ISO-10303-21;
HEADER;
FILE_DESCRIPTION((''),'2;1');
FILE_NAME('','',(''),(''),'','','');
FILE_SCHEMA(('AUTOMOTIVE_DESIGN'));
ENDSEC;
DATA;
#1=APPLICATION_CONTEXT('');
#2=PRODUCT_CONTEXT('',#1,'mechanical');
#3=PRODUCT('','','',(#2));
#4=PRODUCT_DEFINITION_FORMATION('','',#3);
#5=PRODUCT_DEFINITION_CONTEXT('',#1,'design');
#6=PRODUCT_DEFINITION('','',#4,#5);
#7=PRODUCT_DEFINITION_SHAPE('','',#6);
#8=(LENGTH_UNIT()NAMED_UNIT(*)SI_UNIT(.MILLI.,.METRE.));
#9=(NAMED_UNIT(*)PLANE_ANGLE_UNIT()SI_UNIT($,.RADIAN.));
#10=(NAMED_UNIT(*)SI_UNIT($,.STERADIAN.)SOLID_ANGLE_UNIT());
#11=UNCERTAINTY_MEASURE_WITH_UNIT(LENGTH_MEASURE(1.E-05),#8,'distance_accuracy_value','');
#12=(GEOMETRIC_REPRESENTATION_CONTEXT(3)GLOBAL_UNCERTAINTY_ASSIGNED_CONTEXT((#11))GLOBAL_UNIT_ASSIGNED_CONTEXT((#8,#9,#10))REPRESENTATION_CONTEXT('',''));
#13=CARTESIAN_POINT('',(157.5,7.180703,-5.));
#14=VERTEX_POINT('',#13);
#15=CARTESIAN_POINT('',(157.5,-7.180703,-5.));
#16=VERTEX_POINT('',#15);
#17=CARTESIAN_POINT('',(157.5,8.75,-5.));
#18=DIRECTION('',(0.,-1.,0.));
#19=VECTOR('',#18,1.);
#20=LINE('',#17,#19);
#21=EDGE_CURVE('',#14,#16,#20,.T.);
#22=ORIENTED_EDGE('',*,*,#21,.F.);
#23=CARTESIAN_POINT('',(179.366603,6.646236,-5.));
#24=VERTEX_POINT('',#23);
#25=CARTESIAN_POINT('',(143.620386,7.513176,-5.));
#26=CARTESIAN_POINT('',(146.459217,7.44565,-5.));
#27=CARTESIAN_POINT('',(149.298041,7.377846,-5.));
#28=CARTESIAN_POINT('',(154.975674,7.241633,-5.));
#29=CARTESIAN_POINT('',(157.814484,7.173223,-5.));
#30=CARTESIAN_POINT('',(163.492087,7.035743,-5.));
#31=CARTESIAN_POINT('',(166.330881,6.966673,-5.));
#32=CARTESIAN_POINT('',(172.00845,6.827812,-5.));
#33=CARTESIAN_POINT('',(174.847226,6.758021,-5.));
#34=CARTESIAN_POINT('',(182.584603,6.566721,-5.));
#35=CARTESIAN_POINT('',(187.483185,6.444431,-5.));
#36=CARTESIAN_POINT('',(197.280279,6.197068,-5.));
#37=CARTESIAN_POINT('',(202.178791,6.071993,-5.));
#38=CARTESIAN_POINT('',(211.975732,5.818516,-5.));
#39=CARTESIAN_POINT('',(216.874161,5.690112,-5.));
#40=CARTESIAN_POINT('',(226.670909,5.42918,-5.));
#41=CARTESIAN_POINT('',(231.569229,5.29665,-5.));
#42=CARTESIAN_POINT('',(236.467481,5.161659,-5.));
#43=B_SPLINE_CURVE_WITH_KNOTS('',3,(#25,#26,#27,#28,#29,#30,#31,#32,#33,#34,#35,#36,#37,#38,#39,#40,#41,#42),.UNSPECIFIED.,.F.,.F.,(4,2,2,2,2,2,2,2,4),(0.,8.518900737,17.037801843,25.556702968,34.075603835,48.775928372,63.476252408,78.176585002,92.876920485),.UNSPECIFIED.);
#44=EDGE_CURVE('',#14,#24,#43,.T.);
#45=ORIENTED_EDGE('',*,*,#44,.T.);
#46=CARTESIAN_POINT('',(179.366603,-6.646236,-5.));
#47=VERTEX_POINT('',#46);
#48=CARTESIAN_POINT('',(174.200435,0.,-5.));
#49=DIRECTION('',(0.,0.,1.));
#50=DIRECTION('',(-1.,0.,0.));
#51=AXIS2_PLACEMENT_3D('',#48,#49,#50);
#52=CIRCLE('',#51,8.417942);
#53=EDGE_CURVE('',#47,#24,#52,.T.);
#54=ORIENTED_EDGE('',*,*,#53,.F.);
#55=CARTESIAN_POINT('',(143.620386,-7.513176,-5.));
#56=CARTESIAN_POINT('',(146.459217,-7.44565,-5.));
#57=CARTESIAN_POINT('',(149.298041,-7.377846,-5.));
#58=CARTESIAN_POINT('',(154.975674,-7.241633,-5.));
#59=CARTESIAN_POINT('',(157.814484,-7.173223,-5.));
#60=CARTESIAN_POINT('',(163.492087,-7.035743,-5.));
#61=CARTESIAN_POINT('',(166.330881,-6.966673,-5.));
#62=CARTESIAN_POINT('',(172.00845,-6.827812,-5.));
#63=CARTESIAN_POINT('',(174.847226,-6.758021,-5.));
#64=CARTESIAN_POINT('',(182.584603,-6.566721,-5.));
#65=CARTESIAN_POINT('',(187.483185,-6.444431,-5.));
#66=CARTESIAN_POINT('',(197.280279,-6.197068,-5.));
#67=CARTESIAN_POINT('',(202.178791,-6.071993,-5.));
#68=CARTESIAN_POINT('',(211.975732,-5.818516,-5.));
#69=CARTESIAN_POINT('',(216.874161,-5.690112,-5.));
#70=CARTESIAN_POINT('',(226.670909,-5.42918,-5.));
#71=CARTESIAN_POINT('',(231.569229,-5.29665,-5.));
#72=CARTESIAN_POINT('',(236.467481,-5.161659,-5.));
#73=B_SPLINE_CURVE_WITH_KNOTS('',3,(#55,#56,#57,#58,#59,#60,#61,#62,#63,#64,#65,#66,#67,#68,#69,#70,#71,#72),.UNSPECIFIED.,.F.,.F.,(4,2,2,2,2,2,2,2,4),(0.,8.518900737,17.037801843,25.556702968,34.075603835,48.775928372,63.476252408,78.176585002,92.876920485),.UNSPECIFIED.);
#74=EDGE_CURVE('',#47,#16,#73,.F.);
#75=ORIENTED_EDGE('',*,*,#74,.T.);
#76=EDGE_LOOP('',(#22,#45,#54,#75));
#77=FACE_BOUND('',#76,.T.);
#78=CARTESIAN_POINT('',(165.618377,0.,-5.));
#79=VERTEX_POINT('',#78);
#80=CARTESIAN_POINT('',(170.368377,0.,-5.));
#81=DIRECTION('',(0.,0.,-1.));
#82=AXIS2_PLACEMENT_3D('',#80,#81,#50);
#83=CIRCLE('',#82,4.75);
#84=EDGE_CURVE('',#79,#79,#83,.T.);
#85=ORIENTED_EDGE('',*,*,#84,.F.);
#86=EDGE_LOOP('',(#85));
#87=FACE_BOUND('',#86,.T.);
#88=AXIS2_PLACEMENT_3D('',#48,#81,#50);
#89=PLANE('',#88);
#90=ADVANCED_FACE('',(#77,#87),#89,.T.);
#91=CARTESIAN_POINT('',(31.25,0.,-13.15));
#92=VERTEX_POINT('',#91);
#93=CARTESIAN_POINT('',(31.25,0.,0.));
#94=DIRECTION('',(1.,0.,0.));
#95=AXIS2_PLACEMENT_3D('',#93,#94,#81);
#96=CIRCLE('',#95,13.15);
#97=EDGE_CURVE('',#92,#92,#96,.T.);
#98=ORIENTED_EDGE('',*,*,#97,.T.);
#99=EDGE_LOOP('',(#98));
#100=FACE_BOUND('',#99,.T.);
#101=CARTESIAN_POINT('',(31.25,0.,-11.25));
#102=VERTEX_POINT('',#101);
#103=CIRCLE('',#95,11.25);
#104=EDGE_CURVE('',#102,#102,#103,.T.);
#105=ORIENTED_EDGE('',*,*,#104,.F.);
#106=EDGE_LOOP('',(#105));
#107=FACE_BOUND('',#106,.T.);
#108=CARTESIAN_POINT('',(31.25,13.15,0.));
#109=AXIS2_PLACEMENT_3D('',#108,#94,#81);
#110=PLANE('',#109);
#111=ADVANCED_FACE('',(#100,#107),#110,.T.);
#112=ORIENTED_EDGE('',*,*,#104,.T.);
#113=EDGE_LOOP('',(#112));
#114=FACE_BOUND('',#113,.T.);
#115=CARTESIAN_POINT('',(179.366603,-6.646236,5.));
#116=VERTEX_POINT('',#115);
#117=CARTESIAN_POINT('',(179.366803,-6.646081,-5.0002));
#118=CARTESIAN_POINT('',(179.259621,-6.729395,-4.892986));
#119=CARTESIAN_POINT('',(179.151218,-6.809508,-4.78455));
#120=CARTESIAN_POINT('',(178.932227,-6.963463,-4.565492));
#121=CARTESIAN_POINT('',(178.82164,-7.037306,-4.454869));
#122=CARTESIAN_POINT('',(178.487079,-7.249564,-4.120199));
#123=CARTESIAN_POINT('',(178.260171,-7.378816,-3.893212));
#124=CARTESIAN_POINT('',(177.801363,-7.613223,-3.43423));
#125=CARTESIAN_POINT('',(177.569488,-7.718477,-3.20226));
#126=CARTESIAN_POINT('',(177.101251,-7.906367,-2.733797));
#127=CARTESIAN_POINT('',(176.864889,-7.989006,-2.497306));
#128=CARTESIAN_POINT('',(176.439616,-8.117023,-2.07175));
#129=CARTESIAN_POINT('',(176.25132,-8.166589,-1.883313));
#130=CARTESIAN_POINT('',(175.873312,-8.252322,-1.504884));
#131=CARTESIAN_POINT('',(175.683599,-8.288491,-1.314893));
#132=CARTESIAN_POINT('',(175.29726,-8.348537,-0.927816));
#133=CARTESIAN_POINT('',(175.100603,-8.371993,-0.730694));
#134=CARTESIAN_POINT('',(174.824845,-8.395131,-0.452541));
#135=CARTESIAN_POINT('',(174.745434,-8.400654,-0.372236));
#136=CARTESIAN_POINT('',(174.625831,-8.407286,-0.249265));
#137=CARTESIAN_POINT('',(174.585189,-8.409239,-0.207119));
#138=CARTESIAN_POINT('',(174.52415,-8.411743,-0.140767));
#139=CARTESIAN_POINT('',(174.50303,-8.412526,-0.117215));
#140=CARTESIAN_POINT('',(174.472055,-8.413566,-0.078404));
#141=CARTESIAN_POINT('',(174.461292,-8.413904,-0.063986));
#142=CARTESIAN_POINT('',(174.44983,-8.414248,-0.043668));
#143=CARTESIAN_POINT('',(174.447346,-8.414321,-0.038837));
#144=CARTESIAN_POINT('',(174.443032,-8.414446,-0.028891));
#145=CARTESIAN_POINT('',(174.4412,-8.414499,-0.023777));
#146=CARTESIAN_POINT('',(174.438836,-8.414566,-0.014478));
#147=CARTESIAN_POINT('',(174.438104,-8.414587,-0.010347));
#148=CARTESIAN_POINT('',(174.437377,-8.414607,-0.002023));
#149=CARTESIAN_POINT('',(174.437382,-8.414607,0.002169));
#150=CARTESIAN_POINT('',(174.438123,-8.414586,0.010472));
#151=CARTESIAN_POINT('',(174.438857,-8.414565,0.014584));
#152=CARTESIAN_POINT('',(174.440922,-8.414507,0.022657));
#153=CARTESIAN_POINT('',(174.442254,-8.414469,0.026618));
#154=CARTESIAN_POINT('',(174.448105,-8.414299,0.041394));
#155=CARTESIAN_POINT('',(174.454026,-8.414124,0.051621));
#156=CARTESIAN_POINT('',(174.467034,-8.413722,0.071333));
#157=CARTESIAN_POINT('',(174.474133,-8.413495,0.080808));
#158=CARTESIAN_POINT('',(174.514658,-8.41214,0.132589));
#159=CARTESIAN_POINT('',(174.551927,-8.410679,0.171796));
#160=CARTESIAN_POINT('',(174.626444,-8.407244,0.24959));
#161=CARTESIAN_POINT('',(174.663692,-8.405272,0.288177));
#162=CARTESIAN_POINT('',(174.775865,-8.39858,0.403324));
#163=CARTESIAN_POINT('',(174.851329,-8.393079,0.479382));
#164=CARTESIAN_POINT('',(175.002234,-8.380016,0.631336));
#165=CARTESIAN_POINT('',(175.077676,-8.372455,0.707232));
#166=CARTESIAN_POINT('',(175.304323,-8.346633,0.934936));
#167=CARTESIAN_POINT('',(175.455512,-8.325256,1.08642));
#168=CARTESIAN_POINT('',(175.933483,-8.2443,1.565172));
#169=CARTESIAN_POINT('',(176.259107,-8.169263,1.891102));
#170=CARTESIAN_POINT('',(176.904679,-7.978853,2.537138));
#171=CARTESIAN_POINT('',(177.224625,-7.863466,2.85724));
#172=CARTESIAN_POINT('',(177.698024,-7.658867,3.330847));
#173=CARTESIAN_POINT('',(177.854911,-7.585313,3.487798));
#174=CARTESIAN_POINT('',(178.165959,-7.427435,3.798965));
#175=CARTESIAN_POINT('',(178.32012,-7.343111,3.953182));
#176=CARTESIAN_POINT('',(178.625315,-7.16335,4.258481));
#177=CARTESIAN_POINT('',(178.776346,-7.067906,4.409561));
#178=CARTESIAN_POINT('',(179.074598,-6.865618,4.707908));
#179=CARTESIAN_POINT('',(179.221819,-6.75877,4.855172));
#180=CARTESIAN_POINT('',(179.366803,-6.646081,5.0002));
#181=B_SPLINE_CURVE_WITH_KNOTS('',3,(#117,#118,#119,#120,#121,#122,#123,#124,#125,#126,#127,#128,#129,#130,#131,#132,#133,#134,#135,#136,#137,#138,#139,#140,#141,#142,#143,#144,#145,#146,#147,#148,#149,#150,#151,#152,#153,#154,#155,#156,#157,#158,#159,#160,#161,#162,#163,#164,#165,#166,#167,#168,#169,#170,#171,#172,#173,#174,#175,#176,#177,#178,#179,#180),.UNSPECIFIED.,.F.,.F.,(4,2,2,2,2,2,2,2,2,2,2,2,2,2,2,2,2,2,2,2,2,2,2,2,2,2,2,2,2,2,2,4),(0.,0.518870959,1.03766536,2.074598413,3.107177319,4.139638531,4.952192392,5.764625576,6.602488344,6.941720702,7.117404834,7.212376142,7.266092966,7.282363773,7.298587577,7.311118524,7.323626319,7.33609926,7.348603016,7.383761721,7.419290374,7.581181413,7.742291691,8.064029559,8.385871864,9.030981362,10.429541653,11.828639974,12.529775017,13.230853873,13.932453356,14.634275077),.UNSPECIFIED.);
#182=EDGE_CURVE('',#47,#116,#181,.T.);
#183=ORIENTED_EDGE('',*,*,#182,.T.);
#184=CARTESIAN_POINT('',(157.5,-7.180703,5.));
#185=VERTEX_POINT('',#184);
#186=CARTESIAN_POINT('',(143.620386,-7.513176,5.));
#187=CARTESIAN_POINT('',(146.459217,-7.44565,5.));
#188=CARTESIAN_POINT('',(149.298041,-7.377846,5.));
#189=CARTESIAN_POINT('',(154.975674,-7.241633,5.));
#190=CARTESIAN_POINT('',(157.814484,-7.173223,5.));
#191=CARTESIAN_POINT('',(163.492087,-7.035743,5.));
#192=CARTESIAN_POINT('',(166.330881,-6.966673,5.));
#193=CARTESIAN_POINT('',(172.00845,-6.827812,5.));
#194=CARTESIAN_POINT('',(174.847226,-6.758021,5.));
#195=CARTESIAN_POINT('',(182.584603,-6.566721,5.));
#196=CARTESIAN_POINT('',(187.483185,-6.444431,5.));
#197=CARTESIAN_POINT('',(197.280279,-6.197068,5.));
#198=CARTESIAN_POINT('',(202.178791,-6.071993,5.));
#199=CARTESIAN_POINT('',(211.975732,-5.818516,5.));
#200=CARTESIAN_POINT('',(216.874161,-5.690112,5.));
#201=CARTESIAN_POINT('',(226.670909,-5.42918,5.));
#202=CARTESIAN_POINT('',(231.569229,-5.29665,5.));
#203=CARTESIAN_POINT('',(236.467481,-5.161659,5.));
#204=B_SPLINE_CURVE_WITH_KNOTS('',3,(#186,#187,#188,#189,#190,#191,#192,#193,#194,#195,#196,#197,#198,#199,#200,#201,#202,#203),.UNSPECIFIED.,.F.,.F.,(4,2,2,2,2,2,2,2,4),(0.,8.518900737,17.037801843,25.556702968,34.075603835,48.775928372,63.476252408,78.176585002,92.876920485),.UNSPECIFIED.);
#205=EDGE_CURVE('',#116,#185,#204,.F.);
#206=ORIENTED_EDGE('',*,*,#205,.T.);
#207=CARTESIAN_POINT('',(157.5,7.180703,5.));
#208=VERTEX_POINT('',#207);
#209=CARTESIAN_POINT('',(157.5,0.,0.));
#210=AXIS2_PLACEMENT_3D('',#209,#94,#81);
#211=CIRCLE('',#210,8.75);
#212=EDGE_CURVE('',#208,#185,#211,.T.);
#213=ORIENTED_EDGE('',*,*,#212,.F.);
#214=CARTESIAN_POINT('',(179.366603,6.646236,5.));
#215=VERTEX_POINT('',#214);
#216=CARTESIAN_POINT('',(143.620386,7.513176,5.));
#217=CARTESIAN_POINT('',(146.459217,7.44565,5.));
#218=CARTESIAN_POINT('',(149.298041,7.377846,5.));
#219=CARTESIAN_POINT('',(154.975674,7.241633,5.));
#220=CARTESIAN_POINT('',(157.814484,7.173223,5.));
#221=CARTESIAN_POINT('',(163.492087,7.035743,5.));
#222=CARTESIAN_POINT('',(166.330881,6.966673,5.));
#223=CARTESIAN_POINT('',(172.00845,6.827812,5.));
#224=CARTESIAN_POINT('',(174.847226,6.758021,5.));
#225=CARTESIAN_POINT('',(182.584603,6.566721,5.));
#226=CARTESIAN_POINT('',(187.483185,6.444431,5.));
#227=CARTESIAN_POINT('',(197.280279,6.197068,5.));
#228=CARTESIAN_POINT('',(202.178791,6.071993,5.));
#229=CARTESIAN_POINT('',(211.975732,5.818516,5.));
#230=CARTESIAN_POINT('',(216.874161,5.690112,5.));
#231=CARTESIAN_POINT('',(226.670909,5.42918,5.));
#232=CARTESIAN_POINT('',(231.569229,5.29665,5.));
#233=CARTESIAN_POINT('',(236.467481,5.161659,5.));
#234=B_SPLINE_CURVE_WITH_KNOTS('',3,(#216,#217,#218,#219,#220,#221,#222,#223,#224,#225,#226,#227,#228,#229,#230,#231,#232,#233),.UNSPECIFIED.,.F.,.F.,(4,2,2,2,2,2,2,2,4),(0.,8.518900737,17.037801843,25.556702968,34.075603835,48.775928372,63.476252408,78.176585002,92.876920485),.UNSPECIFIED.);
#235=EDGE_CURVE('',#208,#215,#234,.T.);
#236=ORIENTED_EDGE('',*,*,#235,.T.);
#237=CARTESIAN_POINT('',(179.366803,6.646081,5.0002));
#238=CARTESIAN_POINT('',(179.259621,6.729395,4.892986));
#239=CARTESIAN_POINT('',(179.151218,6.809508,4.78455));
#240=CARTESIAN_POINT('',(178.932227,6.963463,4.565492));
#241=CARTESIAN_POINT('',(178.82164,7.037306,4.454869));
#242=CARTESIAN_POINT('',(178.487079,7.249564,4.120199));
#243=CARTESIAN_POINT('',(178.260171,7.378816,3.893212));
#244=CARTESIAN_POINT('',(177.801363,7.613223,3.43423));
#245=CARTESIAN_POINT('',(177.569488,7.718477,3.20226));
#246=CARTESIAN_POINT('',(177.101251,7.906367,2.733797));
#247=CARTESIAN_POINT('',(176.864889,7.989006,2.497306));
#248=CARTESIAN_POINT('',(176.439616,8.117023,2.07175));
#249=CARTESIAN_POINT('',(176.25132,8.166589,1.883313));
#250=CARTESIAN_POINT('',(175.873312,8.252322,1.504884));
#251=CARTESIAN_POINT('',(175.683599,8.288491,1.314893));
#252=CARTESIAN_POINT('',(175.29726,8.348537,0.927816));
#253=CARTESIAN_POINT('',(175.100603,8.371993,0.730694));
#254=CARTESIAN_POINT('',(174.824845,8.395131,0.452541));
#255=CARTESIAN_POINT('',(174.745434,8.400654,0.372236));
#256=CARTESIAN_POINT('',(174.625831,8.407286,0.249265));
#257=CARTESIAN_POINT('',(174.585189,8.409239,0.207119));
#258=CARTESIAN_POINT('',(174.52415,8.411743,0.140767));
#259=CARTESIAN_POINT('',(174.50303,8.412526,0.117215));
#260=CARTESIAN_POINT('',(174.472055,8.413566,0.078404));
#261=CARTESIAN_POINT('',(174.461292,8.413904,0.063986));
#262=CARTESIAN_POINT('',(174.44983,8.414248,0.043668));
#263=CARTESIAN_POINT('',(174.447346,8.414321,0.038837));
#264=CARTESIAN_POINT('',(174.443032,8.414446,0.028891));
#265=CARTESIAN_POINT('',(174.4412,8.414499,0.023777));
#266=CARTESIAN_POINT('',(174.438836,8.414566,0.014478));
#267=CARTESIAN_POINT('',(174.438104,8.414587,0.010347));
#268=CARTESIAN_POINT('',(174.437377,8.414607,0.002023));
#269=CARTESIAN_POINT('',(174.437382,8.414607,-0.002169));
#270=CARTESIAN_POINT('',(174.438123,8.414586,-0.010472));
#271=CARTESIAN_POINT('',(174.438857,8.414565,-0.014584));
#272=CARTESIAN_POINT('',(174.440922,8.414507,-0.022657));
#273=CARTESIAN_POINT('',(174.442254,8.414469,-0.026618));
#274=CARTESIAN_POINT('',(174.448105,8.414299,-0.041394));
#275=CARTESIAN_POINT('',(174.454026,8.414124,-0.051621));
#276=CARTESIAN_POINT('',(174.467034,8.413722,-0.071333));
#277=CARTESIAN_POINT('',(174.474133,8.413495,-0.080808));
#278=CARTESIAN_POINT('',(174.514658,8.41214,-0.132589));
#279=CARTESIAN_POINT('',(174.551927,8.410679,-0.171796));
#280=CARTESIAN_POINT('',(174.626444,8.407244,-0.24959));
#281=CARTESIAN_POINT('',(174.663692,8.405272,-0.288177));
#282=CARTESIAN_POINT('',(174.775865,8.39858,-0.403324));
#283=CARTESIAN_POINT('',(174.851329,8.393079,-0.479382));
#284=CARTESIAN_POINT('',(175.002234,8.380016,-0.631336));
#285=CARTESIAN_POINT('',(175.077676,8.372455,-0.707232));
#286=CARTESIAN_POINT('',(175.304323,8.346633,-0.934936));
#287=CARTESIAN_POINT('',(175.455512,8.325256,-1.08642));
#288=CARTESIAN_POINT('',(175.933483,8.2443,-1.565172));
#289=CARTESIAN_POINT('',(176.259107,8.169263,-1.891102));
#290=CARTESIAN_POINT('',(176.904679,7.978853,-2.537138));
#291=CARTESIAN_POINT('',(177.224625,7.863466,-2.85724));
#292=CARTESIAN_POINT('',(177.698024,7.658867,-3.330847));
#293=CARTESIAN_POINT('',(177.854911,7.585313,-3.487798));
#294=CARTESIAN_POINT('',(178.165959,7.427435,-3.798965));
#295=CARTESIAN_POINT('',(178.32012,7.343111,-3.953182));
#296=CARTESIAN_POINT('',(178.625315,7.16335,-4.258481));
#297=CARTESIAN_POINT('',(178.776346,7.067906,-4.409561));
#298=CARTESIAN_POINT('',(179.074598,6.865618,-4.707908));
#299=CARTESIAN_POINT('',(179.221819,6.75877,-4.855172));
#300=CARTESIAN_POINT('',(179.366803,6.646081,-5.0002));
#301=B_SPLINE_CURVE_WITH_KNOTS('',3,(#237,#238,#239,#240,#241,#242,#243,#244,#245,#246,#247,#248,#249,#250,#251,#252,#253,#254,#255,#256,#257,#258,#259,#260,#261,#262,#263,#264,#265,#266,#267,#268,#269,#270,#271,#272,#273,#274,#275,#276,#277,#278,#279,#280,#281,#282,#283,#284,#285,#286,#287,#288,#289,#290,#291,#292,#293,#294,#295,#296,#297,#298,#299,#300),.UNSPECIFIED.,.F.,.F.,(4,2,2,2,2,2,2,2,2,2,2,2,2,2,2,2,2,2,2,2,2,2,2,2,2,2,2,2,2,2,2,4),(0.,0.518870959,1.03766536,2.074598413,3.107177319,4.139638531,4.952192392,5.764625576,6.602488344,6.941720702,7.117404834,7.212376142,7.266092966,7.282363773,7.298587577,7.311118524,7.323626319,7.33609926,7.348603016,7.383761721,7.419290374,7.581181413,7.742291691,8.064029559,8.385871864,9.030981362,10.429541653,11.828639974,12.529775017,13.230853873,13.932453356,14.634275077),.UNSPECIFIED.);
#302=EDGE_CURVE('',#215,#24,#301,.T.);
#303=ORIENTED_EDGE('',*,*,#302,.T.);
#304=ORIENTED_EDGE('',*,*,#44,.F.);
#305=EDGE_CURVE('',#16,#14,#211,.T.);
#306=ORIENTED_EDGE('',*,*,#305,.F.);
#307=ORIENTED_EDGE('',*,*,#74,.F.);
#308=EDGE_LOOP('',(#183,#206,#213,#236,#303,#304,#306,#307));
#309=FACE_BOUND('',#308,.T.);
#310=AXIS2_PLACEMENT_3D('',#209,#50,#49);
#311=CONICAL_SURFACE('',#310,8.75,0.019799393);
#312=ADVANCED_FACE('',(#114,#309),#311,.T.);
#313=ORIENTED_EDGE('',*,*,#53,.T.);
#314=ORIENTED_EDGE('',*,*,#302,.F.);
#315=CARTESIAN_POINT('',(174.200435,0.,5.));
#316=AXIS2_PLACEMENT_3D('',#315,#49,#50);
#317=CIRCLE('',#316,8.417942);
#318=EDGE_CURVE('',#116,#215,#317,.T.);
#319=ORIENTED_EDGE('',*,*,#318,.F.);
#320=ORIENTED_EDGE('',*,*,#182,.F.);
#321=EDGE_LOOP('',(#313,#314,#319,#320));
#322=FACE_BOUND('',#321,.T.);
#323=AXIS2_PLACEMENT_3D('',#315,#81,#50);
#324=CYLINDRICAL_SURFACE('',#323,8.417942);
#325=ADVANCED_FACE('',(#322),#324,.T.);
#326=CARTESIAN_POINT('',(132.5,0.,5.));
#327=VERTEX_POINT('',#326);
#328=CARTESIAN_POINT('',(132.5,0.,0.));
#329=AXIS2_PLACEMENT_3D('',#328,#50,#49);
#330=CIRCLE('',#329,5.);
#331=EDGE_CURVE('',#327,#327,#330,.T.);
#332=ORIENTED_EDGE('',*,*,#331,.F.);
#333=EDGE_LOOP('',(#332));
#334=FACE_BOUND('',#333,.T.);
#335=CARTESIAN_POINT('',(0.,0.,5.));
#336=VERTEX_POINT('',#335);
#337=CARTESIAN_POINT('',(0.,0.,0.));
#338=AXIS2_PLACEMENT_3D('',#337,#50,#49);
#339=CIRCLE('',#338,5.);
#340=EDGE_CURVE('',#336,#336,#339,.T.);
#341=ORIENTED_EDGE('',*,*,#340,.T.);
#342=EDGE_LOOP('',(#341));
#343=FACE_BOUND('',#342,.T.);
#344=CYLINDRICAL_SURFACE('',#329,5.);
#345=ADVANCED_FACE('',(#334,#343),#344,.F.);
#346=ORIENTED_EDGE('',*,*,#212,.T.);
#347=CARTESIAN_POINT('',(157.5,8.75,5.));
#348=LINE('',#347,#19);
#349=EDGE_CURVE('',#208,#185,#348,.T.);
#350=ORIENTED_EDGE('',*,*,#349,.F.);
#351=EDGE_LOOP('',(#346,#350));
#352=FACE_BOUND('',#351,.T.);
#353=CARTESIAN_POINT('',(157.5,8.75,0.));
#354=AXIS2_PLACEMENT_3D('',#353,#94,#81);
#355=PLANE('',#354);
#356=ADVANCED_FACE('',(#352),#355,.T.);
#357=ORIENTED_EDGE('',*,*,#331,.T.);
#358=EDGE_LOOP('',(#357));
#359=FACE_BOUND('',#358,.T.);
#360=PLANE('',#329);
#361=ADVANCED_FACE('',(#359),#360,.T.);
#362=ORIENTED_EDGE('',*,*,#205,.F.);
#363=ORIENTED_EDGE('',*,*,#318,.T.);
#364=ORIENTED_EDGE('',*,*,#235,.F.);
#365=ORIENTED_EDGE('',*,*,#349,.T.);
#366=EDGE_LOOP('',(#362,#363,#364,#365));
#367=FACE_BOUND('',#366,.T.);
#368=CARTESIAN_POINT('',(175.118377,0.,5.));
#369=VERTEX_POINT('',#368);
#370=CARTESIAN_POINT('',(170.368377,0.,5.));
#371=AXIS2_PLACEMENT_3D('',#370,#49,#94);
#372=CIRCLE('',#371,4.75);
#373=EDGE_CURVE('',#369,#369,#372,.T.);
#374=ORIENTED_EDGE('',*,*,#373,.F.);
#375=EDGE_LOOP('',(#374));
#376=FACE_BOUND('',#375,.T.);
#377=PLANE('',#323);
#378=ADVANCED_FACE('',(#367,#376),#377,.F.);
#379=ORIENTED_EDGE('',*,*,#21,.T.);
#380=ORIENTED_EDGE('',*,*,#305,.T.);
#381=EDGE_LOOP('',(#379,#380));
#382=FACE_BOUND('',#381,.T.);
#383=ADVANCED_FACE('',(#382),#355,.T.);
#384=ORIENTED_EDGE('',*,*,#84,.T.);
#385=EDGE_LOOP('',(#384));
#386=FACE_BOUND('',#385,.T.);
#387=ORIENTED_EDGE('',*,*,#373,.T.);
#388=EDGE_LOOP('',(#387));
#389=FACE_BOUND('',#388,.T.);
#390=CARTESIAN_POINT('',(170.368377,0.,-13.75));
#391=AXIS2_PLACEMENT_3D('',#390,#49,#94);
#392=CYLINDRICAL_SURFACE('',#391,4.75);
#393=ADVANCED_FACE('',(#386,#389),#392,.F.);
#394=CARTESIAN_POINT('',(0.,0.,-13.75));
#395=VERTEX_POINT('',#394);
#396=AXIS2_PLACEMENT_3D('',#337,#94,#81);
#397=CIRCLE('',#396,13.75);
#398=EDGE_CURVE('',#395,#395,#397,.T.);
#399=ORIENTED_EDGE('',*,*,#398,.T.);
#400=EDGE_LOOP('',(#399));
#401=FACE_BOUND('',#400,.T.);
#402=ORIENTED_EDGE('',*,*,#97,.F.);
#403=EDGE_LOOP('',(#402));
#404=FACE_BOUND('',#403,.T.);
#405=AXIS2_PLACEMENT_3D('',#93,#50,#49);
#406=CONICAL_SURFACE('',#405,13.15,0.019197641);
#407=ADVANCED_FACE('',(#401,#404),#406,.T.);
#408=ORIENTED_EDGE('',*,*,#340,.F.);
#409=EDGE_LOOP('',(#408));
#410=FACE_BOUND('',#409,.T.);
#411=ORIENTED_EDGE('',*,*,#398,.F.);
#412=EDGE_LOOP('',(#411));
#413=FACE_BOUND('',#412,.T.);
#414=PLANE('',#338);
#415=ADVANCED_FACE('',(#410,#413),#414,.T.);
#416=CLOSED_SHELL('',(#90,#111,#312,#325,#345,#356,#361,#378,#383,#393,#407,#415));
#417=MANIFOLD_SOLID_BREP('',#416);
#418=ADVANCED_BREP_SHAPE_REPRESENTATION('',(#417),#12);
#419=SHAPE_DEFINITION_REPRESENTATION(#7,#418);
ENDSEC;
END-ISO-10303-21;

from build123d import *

# Parameters (mm, degrees)
BOSS_EXTRUDE2_DEPTH = 5
SKETCH7_R           = 4.75
CUT_EXTRUDE1_DEPTH  = 19.75
SKETCH8_R           = 5
CUT_EXTRUDE2_DEPTH  = 132.5


with BuildPart() as part:
    # Sketch1 → Revolve2 (revolve)
    with BuildSketch(Plane.XY):
        Polygon((157.5, 0), (0, 0), (0, 13.75), (31.25, 13.15), (31.25, 11.25), (157.5, 8.75), align=None)
    revolve(axis=Axis((157.5, 0, 0), (-1, 0, 0)))

    # Sketch2 → Boss-Extrude2 (add, symmetric)
    with BuildSketch(Plane.XY):
        with BuildLine():
            Line((157.5, 8.75), (174.296707174, 8.417391937))
            ThreePointArc((174.296707174, 8.417391937), (182.618377126, 0), (174.296707174, -8.417391937))
            Line((174.296707174, -8.417391937), (157.5, -8.75))
            Line((157.5, -8.75), (157.5, 8.75))
        make_face()
    extrude(amount=BOSS_EXTRUDE2_DEPTH, both=True)

    # Sketch6 → Cut-Revolve1 (revolve, cut)
    with BuildSketch(Plane.XY):
        Polygon((157.5, 8.75), (157.5, 12.5), (189.266018866, 12.5), (189.266018866, 8.120969923), align=None)
    revolve(axis=Axis((157.5, 0, 0), (1, 0, 0)), mode=Mode.SUBTRACT)

    # Sketch7 → Cut-Extrude1 (cut, through all)
    with BuildSketch(Plane.XY.offset(5)):
        with Locations((170.368377126, 0)):
            Circle(SKETCH7_R)
    extrude(amount=-CUT_EXTRUDE1_DEPTH, mode=Mode.SUBTRACT)

    # Sketch8 → Cut-Extrude2 (cut)
    with BuildSketch(Plane.ZY):
        Circle(SKETCH8_R)
    extrude(amount=-CUT_EXTRUDE2_DEPTH, mode=Mode.SUBTRACT)


solid = part.part
